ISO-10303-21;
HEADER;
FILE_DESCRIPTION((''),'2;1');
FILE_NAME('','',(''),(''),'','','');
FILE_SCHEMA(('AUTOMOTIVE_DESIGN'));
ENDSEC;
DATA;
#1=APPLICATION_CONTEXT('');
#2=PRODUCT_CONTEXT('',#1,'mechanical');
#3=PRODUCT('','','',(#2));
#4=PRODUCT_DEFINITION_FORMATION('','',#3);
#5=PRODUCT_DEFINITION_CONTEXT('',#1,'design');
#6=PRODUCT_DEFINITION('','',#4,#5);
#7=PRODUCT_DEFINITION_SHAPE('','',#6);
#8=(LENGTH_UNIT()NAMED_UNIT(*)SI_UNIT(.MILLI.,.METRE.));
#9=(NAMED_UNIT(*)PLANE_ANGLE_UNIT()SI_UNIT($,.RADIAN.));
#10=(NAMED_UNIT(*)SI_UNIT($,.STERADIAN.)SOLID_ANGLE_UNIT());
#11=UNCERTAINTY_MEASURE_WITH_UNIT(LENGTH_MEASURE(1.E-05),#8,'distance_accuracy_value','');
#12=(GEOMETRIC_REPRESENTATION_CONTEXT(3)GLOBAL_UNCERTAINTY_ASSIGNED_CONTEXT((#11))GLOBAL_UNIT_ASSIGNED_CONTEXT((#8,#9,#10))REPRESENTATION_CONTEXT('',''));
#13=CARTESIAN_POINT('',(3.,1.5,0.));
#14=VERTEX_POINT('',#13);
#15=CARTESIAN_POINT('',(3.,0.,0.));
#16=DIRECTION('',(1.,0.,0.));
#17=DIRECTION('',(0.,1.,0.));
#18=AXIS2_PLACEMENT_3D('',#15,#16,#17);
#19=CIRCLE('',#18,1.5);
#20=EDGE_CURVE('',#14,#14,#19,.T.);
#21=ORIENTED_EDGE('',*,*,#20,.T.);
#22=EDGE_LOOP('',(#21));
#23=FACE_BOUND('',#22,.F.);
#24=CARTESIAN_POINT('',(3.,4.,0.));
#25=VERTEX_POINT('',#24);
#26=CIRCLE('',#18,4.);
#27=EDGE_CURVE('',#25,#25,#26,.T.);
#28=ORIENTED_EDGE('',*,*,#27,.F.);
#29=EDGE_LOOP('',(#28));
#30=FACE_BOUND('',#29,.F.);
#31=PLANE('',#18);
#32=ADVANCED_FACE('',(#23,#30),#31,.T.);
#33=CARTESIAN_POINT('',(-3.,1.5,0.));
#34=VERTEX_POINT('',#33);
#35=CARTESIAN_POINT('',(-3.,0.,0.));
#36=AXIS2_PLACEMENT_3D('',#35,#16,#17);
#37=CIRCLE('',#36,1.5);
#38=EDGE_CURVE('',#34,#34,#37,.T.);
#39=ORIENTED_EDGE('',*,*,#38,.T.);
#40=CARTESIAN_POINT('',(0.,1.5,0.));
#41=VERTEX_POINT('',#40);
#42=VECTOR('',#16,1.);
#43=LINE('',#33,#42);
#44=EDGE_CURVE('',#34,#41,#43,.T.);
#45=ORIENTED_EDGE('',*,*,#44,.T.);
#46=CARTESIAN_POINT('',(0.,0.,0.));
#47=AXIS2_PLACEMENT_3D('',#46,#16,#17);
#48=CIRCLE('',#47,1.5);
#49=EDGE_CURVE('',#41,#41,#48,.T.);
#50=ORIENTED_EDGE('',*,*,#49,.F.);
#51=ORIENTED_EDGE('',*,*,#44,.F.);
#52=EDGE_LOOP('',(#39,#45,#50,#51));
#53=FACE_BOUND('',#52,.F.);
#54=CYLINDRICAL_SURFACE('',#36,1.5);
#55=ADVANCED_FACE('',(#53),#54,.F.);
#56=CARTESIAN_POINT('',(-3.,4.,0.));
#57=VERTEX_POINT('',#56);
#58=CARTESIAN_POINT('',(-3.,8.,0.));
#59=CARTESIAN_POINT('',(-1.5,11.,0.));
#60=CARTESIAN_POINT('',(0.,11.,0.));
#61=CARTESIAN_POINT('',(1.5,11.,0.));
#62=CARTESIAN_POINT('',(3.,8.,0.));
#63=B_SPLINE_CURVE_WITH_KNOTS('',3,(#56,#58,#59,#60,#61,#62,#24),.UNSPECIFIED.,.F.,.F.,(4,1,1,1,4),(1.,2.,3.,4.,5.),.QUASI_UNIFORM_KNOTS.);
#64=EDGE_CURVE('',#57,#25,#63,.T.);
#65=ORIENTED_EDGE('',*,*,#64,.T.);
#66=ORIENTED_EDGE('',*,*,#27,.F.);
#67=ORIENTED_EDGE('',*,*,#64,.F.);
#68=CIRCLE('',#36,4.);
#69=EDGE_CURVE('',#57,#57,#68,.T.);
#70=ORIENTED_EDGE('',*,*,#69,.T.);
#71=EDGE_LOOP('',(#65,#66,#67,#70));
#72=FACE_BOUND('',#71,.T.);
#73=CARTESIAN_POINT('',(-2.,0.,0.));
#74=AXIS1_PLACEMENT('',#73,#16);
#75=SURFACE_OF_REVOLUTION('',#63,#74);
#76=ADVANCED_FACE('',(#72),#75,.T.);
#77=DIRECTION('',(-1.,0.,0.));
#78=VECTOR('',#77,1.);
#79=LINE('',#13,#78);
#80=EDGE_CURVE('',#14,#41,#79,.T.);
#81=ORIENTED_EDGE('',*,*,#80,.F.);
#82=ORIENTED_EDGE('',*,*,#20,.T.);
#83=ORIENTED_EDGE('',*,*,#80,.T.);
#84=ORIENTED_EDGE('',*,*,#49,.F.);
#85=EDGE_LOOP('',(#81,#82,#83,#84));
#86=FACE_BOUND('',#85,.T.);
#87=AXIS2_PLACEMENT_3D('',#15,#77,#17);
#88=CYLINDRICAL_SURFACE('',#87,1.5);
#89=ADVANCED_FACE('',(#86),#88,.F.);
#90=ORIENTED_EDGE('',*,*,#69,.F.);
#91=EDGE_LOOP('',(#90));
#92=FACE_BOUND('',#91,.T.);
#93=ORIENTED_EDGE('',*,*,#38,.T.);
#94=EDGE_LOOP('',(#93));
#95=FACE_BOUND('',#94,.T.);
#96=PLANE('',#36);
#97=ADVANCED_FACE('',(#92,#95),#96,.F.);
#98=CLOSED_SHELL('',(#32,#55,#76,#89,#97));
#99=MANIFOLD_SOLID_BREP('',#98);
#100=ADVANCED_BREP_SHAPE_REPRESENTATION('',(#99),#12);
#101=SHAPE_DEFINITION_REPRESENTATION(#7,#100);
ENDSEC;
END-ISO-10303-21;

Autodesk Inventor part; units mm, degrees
ref_plane "YZ Plane" through (0, 0, 0) normal (1, 0, 0) x (0, 1, 0)
ref_plane "XZ Plane" through (0, 0, 0) normal (0, 1, 0) x (-1, 0, 0)
ref_plane "XY Plane" through (0, 0, 0) normal (0, 0, 1) x (1, 0, 0)
sketch "Sketch1" plane through (0, 0, 0) normal (0, 0, 1) x (1, 0, 0)
  line L0 (-3, 1.5) -> (-3, 4)
  line L1 (-3, 4) -> (-3, 8) construction
  line L2 (-3, 8) -> (-1.5, 11) construction
  line L3 (-1.5, 11) -> (0, 11) construction
  spline S0 degree 3 poles (-3, 4) (-3, 8) (-1.5, 11) (0, 11) (1.5, 11) (3, 8) (3, 4) knots 1 1 1 1 2 3 4 5 5 5 5
  line L4 (-3, 1.5) -> (0, 1.5)
  line L5 (0, 11) -> (0, 1.5) construction
  line L6 (3, 1.5) -> (3, 4)
  line L7 (3, 1.5) -> (0, 1.5)
  line L8 (0, 11) -> (1.5, 11) construction
  line L9 (1.5, 11) -> (3, 8) construction
  line L10 (3, 8) -> (3, 4) construction
  line L11 (0, 1.5) -> (0, 0)
  line L12 (-2, 0) -> (2, 0)
  dimension "d0" = 3
  dimension "d1" = 2.5
  dimension "d2" = 1.5
  dimension "d4" = 3
  dimension "d5" = 4
  dimension "d6" = 1.5
  dimension "d7" = 6
revolve "Revolution1" add sketch "Sketch1" angle 360 about axis through (-2, 0, 0) along (1, 0, 0)
properties part number "Wheel"
